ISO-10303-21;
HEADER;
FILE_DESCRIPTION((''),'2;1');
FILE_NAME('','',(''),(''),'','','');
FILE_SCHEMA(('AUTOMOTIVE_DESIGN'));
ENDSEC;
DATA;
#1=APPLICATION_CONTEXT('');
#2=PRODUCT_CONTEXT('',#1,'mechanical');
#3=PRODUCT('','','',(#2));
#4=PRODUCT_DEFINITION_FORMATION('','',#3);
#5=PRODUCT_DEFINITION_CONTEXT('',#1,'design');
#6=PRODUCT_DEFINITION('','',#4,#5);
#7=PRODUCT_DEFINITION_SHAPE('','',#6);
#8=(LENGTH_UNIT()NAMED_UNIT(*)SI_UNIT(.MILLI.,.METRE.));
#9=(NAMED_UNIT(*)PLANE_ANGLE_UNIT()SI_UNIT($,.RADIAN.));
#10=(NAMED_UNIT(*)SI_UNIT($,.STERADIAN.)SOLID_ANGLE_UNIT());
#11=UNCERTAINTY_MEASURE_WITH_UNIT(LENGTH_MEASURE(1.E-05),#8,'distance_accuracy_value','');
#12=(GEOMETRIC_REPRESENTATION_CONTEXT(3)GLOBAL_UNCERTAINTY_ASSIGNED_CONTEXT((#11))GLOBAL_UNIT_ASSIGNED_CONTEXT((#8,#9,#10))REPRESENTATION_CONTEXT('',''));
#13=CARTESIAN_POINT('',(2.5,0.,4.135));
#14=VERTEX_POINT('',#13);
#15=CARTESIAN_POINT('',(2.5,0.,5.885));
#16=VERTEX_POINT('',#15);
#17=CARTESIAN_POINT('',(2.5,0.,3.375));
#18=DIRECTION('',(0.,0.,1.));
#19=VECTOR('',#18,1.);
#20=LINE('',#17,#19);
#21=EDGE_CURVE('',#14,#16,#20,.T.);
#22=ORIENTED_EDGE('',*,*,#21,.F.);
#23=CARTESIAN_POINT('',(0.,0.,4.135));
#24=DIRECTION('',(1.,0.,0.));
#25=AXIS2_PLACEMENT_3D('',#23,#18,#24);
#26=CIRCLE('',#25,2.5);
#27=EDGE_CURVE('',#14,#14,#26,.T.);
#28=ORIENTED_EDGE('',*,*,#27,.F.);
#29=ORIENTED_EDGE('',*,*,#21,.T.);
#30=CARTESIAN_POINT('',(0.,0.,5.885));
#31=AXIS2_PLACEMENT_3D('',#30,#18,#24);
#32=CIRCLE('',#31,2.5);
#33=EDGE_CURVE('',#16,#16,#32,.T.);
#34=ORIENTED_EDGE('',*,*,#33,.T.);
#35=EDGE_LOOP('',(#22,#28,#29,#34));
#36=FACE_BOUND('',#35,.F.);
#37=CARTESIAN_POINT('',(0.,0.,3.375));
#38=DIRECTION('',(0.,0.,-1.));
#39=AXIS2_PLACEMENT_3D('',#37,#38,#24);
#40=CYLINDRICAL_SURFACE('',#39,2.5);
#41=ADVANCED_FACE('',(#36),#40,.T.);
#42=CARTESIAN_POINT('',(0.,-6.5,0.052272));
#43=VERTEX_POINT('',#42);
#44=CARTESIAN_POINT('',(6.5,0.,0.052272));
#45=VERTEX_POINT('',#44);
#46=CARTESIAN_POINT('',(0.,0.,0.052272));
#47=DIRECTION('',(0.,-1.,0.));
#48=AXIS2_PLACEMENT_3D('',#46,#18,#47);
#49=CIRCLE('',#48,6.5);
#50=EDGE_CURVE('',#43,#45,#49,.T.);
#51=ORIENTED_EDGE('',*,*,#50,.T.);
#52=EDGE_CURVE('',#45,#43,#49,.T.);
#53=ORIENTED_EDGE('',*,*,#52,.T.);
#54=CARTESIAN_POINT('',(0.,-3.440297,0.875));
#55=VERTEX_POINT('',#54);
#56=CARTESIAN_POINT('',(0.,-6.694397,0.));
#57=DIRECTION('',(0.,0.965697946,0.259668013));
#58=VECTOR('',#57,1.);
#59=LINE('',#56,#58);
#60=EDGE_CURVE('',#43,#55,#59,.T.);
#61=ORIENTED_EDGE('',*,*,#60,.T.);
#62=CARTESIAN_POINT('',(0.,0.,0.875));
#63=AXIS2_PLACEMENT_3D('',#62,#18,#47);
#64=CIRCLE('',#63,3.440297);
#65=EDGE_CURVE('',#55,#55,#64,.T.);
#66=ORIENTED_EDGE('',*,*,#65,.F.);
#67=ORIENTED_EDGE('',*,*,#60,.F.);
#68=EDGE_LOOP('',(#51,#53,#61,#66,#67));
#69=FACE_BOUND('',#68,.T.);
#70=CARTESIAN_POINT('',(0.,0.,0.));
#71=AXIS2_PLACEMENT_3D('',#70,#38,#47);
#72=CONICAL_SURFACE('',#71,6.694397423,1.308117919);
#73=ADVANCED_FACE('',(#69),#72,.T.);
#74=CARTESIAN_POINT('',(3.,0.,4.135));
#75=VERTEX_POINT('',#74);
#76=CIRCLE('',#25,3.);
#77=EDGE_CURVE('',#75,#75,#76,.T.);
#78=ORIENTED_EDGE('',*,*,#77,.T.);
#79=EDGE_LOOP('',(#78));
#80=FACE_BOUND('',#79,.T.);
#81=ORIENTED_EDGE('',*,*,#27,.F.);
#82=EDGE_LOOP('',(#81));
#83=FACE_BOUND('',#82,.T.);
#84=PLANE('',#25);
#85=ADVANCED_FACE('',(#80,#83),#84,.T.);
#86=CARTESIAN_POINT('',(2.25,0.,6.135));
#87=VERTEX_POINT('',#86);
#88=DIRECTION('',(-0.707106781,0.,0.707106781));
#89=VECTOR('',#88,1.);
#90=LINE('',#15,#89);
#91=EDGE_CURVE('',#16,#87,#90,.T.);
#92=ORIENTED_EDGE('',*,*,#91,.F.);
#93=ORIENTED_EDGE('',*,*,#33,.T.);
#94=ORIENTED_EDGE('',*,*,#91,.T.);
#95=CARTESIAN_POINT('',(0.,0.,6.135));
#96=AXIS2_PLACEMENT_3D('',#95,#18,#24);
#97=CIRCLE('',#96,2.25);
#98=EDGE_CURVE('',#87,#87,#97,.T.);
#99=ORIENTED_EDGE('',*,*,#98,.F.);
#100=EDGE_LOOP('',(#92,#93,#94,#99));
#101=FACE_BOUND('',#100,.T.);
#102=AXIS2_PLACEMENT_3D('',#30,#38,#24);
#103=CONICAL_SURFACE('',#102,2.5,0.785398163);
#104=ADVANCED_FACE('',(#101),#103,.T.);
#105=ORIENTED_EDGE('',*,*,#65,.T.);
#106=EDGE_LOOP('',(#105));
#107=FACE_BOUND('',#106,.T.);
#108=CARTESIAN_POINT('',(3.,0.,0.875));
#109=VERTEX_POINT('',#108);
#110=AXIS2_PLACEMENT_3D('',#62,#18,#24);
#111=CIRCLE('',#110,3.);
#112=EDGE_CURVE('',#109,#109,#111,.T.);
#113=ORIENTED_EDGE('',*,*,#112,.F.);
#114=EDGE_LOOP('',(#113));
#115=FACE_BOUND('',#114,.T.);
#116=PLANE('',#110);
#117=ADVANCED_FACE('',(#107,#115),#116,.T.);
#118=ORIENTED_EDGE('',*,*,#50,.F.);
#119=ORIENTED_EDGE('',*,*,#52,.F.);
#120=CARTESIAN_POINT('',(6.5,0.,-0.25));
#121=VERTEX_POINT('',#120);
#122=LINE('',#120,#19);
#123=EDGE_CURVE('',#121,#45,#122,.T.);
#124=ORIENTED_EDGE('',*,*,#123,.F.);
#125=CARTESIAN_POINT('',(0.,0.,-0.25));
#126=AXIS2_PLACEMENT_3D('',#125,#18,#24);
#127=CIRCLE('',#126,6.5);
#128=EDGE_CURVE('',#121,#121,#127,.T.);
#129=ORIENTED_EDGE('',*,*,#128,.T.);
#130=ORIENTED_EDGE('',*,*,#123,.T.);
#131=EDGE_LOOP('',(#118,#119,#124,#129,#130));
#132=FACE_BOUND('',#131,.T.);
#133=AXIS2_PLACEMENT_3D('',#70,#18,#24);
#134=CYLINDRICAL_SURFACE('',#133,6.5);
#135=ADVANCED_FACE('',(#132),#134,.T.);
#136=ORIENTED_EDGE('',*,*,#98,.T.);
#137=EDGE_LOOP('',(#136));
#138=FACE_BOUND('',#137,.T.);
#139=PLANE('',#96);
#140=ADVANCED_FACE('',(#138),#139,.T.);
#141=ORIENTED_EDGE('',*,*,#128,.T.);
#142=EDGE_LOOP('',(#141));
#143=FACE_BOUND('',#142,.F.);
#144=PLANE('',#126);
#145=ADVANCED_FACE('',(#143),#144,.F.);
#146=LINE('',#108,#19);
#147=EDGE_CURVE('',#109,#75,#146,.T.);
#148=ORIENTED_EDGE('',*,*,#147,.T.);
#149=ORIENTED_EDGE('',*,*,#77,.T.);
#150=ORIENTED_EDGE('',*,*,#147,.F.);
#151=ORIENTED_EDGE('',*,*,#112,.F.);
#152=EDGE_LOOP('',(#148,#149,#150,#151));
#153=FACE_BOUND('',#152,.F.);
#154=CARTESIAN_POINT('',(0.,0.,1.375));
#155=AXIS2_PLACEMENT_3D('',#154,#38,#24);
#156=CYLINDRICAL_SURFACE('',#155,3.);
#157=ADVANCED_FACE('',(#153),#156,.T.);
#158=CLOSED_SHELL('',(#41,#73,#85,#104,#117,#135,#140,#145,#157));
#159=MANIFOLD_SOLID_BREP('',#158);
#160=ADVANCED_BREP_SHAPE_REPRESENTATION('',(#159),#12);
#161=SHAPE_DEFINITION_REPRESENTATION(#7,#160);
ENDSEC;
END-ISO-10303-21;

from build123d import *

# Parameters (mm, degrees)
F0_R     = 2.5
F1_DEPTH = 3.375
F0_R_2   = 3
F2_DEPTH = 1.375
F0_R_3   = 6.5
F3_DEPTH = 0.875
F4_DEPTH = 0.25
F7_DEPTH = 2.76
F8_DEPTH = 2.76
F9_SIZE  = 0.25


with BuildPart() as f1:
    # F0 (on Top) → F1 (new body)
    with BuildSketch(Plane.XY):
        Circle(F0_R)
    extrude(amount=F1_DEPTH)

    # F0 (on Top) → F2 (join)
    with BuildSketch(Plane.XY):
        Circle(F0_R_2)
        Circle(F0_R, mode=Mode.SUBTRACT)
    extrude(amount=F2_DEPTH)

    # F0 (on Top) → F3 (join)
    with BuildSketch(Plane.XY):
        Circle(F0_R_3)
        Circle(F0_R_2, mode=Mode.SUBTRACT)
    extrude(amount=F3_DEPTH)

    # F0 (on Top) → F4 (join)
    with BuildSketch(Plane.XY):
        Circle(F0_R_3)
        Circle(F0_R_2, mode=Mode.SUBTRACT)
        Circle(F0_R_2)
        Circle(F0_R, mode=Mode.SUBTRACT)
        Circle(F0_R)
    extrude(amount=-F4_DEPTH)

    # F5 (on Right) → F6 (revolve, cut)
    with BuildSketch(Plane.YZ):
        Polygon((-6.6943974234, 0.9619678603), (-6.6943974234, 0), (-3.1168663409, 0.9619678603), align=None)
    revolve(axis=Axis((0, 0, 0.9346584557), (0, 0, 1)), mode=Mode.SUBTRACT)

    # F7 (add): a face of the model
    f7_faces = [f1.faces().sort_by_distance(p)[0] for p in [
        (-2.9151471863, 0, 1.375),
    ]]
    extrude(f7_faces, amount=F7_DEPTH)

    # F8 (add): a face of the model
    f8_faces = [f1.faces().sort_by_distance(p)[0] for p in [
        (0, 0, 3.375),
    ]]
    extrude(f8_faces, amount=F8_DEPTH)

    # F9
    f9_edges = [f1.edges().sort_by_distance(p)[0] for p in [
        (-2.5, 0, 6.135),
    ]]
    chamfer(f9_edges, length=F9_SIZE)


solid = f1.part
